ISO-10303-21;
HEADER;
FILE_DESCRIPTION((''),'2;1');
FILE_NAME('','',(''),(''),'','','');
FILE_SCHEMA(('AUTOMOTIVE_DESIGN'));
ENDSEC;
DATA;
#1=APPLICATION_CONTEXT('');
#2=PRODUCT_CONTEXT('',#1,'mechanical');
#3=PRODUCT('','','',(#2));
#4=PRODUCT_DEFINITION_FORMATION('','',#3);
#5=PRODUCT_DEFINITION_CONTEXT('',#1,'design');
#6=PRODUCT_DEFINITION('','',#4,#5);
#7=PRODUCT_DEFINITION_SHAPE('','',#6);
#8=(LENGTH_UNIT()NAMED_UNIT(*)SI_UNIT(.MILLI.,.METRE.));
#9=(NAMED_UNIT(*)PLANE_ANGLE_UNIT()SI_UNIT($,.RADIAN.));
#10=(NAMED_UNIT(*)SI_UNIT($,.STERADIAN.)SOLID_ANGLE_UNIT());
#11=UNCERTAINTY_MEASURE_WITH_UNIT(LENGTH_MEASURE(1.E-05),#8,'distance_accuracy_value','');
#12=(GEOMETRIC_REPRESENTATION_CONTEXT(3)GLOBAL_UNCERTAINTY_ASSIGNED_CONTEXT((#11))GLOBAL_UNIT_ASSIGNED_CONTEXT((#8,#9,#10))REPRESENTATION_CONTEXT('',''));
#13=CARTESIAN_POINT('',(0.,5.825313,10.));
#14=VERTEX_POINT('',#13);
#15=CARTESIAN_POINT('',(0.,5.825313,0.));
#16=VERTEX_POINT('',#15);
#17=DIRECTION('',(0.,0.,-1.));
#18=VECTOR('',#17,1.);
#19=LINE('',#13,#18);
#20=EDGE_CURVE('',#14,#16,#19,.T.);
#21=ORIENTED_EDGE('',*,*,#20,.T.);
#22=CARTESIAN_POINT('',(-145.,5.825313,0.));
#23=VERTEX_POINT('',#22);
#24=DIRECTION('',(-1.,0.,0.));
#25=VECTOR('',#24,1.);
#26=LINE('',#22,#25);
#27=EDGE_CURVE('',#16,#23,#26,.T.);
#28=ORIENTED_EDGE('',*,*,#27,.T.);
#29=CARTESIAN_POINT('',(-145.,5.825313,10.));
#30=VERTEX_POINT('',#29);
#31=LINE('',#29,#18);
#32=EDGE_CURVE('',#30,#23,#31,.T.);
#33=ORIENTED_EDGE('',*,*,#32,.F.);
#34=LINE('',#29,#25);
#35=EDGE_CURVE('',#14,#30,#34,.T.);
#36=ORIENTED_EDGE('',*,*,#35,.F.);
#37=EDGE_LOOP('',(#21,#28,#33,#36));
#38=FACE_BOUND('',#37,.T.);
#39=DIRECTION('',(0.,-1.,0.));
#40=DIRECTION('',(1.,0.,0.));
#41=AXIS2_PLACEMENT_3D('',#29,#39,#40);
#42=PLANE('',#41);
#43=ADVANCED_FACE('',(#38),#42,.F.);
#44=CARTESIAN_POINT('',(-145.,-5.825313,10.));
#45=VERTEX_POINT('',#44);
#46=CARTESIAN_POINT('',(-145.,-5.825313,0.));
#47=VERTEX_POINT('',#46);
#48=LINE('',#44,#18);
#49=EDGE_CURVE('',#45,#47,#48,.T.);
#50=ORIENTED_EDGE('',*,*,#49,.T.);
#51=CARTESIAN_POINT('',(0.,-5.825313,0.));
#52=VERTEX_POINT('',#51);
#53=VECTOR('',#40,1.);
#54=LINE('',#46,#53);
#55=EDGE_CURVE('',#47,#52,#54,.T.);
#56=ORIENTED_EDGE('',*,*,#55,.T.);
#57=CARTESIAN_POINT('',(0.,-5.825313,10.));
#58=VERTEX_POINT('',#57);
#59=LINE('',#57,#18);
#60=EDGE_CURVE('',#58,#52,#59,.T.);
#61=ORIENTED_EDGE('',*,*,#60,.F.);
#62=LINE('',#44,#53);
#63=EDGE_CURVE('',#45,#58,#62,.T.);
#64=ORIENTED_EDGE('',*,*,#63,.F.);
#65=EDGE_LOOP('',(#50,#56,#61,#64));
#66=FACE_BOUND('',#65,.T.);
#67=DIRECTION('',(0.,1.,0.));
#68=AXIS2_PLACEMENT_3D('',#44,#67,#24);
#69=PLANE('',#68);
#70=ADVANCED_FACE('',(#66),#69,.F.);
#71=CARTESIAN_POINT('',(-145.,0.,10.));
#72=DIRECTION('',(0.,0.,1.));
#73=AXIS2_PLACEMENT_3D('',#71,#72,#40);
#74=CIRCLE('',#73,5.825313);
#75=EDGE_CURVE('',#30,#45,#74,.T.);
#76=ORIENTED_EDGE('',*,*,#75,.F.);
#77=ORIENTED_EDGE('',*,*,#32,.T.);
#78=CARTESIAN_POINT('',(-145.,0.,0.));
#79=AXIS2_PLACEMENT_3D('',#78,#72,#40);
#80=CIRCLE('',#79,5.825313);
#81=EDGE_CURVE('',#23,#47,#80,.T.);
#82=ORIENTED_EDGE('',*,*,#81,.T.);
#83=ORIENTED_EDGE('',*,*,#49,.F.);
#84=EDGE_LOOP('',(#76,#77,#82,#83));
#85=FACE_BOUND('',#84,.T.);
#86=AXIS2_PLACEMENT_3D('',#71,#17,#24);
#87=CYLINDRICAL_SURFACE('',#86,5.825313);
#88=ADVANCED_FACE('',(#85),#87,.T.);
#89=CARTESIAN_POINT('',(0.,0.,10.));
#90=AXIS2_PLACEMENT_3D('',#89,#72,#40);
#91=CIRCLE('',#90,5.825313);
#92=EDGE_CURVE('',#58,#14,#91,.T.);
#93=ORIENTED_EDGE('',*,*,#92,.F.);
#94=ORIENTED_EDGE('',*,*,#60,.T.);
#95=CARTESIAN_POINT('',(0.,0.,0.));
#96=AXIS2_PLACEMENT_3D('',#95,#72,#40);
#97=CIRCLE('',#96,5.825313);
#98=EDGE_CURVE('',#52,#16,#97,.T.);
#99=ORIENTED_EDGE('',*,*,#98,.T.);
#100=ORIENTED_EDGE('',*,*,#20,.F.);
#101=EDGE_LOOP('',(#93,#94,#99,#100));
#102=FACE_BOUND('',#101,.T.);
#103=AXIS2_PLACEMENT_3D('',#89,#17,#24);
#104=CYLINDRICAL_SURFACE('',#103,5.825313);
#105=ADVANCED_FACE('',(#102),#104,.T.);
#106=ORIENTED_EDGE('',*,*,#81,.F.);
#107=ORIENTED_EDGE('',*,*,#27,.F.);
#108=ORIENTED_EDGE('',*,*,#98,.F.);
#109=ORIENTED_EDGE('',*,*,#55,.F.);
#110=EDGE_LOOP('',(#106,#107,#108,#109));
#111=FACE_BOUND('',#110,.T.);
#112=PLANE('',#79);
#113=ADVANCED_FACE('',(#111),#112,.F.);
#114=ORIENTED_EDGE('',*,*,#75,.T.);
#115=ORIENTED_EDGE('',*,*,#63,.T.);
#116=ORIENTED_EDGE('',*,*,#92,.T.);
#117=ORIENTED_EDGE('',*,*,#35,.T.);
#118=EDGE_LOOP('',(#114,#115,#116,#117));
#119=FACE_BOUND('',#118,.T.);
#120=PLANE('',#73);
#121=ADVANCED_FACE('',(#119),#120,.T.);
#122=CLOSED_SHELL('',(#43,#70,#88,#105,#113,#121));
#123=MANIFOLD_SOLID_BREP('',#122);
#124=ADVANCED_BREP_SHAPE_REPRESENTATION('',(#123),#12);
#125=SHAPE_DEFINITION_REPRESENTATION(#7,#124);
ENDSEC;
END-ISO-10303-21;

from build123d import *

# Parameters (mm, degrees)
EXTRUDE_1_DEPTH = 10


with BuildPart() as part:
    # 草图1 → 凸台-拉伸1 (new body)
    with BuildSketch(Plane.XY):
        with BuildLine():
            Line((-145, 5.825312786), (0, 5.825312786))
            ThreePointArc((0, 5.825312786), (5.825312786, 0), (0, -5.825312786))
            Line((0, -5.825312786), (-145, -5.825312786))
            ThreePointArc((-145, -5.825312786), (-150.825312786, 0), (-145, 5.825312786))
        make_face()
    extrude(amount=EXTRUDE_1_DEPTH)


solid = part.part
